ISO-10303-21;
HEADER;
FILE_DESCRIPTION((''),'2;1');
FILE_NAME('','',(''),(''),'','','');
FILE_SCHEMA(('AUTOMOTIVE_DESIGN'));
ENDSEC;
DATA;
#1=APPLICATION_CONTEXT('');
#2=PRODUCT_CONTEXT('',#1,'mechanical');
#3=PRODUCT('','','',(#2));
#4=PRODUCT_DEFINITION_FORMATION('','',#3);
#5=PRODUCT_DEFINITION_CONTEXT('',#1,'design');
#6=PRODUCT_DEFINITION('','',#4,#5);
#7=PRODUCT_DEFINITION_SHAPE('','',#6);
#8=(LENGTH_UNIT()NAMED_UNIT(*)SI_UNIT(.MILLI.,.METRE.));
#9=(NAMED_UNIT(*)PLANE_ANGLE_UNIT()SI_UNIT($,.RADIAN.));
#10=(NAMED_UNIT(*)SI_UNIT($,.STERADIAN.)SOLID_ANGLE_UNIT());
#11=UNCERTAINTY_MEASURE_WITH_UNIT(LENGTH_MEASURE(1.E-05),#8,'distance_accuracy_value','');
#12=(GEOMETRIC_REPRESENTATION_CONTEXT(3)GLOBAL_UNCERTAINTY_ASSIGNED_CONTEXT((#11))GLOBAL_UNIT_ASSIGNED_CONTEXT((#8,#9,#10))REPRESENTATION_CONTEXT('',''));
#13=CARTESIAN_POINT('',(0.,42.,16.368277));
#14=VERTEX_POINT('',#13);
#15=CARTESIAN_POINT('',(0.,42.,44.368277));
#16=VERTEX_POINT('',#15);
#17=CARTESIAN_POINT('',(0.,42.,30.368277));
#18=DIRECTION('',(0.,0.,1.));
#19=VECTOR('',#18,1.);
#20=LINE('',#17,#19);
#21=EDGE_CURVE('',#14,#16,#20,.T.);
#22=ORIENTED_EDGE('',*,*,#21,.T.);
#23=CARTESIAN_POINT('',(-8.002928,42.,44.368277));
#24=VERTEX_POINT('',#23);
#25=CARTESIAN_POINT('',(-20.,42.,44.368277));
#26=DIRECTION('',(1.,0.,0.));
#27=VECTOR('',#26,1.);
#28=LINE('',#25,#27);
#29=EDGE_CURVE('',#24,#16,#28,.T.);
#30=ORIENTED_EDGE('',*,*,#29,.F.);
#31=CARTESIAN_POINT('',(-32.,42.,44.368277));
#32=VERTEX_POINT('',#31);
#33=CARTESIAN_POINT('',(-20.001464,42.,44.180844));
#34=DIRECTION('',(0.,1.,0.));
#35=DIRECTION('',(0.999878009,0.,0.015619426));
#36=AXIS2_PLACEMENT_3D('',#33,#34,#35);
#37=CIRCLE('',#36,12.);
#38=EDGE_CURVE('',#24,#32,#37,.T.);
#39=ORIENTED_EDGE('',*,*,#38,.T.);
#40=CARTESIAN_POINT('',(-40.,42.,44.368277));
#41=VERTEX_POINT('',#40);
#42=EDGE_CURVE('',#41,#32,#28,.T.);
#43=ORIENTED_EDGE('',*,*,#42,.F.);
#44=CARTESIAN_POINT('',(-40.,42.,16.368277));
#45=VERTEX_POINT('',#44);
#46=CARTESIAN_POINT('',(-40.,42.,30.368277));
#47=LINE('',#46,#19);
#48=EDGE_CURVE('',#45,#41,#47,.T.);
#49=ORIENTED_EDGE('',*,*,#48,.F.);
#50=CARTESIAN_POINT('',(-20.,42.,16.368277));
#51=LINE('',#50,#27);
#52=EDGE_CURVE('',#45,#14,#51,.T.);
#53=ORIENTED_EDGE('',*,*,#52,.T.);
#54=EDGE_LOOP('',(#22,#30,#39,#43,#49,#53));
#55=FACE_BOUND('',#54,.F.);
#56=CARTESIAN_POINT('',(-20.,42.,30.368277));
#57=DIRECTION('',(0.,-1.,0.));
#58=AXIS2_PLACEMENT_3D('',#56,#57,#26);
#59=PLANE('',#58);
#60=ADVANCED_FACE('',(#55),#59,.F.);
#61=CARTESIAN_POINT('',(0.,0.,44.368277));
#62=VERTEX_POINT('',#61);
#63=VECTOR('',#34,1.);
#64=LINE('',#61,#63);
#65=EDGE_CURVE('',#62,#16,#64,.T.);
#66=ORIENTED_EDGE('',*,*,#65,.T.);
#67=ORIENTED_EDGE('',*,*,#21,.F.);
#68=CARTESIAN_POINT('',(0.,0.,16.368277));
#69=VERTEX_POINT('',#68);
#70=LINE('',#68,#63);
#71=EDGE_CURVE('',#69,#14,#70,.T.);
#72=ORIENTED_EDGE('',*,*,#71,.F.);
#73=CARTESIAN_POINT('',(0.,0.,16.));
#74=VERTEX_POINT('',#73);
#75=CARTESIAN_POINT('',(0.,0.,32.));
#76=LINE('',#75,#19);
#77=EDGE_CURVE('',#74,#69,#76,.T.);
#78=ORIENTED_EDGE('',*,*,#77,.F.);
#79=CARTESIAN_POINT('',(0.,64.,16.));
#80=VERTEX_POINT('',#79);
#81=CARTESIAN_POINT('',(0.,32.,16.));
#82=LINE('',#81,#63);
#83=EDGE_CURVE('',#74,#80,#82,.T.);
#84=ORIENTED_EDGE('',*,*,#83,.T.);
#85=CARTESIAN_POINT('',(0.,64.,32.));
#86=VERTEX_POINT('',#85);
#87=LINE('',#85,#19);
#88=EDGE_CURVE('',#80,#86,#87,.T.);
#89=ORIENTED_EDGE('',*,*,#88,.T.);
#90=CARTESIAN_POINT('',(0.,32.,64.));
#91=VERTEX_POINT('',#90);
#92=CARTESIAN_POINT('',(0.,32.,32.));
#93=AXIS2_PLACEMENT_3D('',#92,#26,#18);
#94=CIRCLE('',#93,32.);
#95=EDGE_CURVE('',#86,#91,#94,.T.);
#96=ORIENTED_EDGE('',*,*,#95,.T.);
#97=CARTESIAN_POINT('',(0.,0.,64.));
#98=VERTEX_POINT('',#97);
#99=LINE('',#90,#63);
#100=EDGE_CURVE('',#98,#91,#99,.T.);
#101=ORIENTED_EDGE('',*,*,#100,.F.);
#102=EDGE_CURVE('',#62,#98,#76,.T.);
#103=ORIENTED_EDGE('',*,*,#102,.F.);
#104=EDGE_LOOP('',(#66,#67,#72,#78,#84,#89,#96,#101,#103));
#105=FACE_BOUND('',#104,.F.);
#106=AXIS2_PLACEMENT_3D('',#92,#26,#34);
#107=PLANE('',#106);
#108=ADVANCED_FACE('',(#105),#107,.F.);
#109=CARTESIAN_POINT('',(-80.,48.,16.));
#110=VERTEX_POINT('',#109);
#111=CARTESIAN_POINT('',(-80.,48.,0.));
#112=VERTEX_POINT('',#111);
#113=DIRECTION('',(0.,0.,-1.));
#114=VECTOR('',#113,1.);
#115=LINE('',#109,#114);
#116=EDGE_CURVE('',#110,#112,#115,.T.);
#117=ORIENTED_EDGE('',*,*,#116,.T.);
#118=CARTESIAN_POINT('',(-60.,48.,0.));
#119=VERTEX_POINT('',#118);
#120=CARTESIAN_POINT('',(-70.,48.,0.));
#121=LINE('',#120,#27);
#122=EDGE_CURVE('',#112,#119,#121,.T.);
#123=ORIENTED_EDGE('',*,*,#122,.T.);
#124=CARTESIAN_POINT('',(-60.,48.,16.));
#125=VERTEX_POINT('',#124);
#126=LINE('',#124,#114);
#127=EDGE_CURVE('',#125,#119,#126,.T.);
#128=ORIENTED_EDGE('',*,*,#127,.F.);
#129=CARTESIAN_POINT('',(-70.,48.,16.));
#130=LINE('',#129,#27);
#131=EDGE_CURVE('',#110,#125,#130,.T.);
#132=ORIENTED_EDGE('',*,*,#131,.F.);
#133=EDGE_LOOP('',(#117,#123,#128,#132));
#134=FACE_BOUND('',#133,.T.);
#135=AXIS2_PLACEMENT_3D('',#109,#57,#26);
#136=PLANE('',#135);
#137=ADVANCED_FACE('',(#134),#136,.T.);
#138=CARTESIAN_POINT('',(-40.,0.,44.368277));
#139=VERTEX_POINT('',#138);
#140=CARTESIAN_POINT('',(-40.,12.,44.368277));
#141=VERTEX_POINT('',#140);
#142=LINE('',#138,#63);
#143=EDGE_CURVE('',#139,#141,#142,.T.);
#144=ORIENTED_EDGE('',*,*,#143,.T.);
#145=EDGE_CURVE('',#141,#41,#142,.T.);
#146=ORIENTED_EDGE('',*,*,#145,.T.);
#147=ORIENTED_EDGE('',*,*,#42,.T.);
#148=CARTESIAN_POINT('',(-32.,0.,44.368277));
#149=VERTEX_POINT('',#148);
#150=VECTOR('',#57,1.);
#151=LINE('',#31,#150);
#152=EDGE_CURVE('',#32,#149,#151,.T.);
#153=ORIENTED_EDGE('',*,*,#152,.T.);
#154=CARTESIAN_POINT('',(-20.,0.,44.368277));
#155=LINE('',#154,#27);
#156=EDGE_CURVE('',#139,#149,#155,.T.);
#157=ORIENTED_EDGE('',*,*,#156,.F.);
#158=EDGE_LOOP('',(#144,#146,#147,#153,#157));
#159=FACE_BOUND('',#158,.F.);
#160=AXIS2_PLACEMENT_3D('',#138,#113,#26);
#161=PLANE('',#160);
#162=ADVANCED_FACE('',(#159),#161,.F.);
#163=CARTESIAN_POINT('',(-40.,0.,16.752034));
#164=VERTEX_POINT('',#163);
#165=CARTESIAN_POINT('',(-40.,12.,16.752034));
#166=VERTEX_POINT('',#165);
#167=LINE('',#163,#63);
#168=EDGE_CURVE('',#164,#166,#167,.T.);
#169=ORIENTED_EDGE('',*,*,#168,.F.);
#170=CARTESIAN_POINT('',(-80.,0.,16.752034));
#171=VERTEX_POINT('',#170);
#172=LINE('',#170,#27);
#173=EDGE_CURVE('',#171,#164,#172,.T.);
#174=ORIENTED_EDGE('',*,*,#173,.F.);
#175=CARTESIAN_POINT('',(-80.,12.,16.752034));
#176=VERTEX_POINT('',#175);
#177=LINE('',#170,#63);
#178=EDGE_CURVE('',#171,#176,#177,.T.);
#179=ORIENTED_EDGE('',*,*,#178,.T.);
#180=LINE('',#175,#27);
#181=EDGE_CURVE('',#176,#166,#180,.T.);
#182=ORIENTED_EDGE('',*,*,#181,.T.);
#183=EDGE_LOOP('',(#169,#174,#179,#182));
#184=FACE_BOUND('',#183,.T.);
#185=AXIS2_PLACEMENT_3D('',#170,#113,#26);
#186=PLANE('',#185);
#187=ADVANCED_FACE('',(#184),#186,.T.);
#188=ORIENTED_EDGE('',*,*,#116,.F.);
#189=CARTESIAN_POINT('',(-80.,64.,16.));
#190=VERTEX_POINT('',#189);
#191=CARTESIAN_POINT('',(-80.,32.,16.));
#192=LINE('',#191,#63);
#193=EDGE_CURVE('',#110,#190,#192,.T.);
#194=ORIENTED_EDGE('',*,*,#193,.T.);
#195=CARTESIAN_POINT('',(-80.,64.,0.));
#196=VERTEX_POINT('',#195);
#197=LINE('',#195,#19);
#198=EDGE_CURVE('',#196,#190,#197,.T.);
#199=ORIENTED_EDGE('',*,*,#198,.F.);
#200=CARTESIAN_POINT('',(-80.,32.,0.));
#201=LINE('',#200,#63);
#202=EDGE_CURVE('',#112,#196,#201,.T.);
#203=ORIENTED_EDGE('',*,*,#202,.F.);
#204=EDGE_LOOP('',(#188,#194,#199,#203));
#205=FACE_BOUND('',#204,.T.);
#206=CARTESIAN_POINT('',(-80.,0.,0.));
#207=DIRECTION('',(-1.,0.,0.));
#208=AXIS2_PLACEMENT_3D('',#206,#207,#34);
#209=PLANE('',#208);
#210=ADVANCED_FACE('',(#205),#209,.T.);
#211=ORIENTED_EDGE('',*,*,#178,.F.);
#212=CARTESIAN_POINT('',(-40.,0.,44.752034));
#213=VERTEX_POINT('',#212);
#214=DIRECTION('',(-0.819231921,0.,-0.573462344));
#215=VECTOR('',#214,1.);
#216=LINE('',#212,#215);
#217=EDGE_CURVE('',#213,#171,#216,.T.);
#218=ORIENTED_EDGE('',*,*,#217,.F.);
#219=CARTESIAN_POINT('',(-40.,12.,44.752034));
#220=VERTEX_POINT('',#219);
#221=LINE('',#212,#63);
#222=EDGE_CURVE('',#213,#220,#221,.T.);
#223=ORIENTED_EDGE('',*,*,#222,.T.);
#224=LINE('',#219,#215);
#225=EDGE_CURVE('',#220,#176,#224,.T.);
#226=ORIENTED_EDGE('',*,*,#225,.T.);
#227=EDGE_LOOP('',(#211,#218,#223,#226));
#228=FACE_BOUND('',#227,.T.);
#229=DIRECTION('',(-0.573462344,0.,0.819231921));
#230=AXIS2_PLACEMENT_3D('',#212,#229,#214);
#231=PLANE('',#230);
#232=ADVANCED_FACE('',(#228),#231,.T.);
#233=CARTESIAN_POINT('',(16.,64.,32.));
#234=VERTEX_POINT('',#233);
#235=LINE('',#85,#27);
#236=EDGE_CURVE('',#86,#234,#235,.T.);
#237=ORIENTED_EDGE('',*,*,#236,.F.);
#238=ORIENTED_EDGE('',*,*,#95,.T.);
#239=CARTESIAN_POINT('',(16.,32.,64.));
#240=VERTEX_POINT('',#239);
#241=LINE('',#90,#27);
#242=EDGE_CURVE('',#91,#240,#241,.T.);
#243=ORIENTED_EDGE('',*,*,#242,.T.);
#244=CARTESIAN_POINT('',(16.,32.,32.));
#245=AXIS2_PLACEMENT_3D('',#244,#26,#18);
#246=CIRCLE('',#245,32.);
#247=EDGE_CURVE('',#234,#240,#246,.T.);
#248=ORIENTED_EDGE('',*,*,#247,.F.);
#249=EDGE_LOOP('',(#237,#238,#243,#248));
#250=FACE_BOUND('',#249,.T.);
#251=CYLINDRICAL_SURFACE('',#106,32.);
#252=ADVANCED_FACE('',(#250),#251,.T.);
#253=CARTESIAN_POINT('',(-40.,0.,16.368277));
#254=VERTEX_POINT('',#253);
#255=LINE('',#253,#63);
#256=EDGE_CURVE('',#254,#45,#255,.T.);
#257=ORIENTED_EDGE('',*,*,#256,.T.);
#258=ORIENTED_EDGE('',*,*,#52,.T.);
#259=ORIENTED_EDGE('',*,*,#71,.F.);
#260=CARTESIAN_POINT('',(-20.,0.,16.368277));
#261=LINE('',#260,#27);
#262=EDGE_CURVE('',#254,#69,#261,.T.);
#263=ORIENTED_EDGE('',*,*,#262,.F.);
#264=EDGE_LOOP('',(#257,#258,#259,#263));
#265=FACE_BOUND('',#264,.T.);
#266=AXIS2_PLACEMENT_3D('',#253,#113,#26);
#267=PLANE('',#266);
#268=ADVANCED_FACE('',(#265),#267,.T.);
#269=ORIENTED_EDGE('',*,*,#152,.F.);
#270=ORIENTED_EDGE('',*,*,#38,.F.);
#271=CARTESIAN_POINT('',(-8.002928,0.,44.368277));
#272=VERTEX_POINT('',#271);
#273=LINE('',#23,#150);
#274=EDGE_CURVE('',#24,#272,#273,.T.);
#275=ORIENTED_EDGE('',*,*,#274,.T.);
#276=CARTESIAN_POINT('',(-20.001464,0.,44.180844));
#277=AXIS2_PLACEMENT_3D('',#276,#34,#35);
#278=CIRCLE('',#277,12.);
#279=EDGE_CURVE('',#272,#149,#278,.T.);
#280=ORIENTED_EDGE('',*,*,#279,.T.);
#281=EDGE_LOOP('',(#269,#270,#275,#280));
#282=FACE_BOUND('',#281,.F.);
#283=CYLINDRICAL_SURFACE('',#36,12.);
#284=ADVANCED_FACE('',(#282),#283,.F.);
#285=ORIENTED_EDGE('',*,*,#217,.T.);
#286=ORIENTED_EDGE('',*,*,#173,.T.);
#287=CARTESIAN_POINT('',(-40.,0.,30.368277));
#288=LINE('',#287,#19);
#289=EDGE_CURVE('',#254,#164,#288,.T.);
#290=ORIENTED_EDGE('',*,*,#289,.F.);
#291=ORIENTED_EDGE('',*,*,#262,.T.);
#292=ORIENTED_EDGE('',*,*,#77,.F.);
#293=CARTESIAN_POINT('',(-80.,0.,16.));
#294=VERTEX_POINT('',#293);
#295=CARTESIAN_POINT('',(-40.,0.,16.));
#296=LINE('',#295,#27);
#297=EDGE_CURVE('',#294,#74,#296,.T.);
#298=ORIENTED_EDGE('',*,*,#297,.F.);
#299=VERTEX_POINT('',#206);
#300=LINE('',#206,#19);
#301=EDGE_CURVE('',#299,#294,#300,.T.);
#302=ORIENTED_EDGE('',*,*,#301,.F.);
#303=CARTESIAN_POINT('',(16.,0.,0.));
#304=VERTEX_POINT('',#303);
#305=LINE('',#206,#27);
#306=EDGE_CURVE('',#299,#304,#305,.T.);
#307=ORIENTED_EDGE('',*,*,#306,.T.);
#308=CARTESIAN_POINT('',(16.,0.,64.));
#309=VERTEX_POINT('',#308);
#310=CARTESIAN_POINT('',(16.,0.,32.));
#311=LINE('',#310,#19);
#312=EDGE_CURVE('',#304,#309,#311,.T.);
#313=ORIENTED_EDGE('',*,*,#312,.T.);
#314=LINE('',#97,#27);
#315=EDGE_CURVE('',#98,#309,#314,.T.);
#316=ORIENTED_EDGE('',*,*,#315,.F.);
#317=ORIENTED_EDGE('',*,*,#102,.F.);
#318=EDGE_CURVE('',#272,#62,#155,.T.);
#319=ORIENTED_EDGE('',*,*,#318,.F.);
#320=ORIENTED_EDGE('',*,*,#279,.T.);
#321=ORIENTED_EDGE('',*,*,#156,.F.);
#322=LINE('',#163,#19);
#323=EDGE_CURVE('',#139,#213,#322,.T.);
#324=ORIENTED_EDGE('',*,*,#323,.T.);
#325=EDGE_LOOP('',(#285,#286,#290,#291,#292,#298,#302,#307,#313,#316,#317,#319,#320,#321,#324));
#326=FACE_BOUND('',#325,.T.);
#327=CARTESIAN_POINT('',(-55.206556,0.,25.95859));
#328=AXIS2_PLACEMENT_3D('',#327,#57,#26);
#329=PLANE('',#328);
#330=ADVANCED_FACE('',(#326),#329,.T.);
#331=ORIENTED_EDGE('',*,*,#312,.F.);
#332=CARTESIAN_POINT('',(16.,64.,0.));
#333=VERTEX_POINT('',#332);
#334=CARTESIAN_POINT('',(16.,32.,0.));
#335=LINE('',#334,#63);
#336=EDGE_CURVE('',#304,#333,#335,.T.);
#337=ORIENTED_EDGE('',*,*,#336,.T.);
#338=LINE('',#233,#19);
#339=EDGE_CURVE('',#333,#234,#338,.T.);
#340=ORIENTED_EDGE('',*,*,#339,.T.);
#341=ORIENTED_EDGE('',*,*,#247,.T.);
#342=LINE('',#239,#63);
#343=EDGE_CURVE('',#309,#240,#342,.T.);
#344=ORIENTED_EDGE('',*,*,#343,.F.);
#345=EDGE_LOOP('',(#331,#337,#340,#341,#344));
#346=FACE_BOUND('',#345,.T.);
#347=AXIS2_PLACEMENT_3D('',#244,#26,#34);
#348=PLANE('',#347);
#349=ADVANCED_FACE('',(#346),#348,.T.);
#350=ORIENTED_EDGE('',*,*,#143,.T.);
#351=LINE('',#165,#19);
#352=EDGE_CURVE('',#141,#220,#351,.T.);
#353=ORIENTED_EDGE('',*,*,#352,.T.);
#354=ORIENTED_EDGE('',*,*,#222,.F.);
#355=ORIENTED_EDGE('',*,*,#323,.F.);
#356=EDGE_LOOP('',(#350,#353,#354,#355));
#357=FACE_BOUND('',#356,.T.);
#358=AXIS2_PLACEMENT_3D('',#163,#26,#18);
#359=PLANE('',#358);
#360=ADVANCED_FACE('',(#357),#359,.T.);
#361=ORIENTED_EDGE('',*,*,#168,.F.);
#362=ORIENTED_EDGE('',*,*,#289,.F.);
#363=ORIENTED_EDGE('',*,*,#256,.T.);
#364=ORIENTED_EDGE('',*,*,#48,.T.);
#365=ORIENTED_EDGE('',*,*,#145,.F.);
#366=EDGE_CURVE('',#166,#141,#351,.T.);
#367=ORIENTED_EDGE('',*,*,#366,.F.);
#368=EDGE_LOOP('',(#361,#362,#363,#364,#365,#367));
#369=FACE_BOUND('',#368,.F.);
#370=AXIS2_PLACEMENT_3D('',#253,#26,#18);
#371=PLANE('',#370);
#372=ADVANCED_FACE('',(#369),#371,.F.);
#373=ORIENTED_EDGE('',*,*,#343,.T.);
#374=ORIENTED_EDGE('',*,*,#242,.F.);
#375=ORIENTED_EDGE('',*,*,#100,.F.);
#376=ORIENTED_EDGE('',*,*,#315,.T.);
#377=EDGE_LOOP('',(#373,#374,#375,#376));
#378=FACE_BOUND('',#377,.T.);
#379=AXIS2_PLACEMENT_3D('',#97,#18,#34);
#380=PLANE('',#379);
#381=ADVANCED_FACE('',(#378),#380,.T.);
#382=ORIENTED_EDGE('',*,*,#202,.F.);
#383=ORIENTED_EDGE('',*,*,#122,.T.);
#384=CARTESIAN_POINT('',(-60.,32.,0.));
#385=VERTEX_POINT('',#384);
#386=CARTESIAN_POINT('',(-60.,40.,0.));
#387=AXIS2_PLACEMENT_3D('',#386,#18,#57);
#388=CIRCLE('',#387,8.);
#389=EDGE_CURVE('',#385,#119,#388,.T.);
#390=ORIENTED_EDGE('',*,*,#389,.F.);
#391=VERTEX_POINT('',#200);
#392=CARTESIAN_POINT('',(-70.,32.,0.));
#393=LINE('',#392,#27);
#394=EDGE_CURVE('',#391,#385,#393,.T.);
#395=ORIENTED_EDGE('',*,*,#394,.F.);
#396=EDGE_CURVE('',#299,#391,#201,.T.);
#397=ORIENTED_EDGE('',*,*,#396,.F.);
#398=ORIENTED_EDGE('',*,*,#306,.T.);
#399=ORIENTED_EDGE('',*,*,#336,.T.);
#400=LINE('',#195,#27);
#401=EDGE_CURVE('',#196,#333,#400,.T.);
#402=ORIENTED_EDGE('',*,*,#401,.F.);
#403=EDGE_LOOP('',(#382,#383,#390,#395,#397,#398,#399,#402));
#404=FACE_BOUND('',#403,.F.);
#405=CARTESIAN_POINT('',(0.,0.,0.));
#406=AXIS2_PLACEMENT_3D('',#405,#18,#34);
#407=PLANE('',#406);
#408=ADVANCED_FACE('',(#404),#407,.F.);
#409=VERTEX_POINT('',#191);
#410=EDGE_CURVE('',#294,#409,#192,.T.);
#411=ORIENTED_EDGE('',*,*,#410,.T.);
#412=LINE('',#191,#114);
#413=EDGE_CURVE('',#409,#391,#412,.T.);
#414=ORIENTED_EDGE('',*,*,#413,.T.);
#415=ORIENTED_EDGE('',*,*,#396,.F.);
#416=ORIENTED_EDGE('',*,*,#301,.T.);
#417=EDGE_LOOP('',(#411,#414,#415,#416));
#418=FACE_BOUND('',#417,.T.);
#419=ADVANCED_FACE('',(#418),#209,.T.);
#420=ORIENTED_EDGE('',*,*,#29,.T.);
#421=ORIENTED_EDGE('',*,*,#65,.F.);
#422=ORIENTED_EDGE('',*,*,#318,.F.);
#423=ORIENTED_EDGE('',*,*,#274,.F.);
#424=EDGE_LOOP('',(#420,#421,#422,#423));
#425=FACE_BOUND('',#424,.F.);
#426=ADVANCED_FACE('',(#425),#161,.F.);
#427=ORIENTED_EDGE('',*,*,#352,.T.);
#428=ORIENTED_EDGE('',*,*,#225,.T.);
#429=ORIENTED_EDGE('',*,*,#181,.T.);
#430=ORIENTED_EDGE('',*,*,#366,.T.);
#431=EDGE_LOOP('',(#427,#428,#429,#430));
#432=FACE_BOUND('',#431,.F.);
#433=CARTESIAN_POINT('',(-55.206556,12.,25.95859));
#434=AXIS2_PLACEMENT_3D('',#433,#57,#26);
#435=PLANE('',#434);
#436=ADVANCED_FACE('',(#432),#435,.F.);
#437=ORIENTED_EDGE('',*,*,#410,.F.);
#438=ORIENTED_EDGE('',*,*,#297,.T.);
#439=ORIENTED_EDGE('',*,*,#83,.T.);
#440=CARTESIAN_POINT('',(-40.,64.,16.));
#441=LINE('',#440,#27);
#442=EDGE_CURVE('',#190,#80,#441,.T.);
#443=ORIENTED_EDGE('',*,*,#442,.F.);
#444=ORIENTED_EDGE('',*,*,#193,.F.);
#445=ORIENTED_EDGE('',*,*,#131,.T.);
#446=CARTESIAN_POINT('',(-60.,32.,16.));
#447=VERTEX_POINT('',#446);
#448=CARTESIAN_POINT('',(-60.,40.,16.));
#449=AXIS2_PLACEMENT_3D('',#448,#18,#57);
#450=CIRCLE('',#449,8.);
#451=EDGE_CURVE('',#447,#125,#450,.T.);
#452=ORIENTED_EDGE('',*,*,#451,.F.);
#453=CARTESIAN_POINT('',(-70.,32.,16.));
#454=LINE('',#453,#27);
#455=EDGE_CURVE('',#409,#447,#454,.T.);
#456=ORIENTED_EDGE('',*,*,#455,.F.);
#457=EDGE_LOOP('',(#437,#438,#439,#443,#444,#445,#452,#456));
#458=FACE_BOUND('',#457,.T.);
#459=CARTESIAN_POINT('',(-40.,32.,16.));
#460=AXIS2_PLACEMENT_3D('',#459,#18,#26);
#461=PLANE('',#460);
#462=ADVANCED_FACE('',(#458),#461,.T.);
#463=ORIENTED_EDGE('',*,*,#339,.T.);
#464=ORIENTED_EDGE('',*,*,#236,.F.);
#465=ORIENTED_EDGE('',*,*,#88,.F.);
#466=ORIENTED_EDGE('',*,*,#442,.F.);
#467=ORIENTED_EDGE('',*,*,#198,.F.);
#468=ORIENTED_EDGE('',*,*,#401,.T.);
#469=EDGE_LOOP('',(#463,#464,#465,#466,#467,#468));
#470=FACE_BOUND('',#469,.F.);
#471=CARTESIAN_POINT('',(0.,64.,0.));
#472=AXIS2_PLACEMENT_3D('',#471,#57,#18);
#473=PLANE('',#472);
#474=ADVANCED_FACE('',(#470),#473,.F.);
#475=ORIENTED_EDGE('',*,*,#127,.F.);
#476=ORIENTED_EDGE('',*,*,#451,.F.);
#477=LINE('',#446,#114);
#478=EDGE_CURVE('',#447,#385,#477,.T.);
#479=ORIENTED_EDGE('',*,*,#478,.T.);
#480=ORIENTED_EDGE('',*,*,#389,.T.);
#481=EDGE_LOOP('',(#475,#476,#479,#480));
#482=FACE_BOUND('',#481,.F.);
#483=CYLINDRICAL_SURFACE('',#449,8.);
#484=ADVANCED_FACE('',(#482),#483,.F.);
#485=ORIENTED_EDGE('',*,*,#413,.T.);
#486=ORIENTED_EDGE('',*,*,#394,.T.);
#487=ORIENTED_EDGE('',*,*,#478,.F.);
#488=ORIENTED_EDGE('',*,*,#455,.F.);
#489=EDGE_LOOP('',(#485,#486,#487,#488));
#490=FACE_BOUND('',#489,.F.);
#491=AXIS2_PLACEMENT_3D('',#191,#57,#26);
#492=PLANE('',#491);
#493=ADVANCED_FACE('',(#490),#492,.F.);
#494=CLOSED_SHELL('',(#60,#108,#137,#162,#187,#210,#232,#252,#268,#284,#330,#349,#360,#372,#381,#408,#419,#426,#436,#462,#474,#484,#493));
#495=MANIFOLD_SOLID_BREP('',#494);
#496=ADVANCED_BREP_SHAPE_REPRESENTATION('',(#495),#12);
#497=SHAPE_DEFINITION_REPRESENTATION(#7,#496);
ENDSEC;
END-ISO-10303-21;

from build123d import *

# Parameters (mm, degrees)
F0_W      = 80
F0_H      = 64
F1_DEPTH  = 16
F2_W      = 64
F2_H      = 64
F3_DEPTH  = 16
F4_R      = 32
F5_W      = 40
F5_H      = 28
F6_DEPTH  = 42
F8_DEPTH  = 42
F10_DEPTH = 12
F11_W     = 20
F11_H     = 16
F12_DEPTH = 16


with BuildPart() as f1:
    # F0 (on Top) → F1 (new body)
    with BuildSketch(Plane.XY):
        with Locations((-40, 32)):
            Rectangle(F0_W, F0_H)
    extrude(amount=F1_DEPTH)

    # F2 (on Right) → F3 (join)
    with BuildSketch(Plane.YZ):
        with Locations((32, 32)):
            Rectangle(F2_W, F2_H)
    extrude(amount=F3_DEPTH)

    # F4
    f4_edges = [f1.edges().sort_by_distance(p)[0] for p in [
        (8, 64, 64),
    ]]
    fillet(f4_edges, radius=F4_R)

    # F5 (on Front) → F6 (join)
    with BuildSketch(Plane.XZ):
        with Locations((-20, 30.368277)):
            Rectangle(F5_W, F5_H)
    extrude(amount=-F6_DEPTH)

    # F7 (on face) → F8 (cut)
    with BuildSketch(Plane(origin=(0, 42, 0), x_dir=(-1, 0, 0), z_dir=(0, 1, 0))):
        with BuildLine():
            Line((32, 44.368277), (8.002928, 44.368277))
            ThreePointArc((8.002928, 44.368277), (20.001464, 32.180844), (32, 44.368277))
        make_face()
    extrude(amount=-F8_DEPTH, mode=Mode.SUBTRACT)

    # F9 (on Front) → F10 (join)
    with BuildSketch(Plane.XZ):
        Polygon((-40, 16.752034), (-40, 44.752034), (-80, 16.752034), align=None)
    extrude(amount=-F10_DEPTH)

    # F11 (on face) → F12 (cut)
    with BuildSketch(Plane.XY.offset(16)):
        with Locations((-70, 40)):
            Rectangle(F11_W, F11_H)
        with BuildLine():
            Line((-60, 48), (-60, 32))
            ThreePointArc((-60, 32), (-52, 40), (-60, 48))
        make_face()
    extrude(amount=-F12_DEPTH, mode=Mode.SUBTRACT)


solid = f1.part
